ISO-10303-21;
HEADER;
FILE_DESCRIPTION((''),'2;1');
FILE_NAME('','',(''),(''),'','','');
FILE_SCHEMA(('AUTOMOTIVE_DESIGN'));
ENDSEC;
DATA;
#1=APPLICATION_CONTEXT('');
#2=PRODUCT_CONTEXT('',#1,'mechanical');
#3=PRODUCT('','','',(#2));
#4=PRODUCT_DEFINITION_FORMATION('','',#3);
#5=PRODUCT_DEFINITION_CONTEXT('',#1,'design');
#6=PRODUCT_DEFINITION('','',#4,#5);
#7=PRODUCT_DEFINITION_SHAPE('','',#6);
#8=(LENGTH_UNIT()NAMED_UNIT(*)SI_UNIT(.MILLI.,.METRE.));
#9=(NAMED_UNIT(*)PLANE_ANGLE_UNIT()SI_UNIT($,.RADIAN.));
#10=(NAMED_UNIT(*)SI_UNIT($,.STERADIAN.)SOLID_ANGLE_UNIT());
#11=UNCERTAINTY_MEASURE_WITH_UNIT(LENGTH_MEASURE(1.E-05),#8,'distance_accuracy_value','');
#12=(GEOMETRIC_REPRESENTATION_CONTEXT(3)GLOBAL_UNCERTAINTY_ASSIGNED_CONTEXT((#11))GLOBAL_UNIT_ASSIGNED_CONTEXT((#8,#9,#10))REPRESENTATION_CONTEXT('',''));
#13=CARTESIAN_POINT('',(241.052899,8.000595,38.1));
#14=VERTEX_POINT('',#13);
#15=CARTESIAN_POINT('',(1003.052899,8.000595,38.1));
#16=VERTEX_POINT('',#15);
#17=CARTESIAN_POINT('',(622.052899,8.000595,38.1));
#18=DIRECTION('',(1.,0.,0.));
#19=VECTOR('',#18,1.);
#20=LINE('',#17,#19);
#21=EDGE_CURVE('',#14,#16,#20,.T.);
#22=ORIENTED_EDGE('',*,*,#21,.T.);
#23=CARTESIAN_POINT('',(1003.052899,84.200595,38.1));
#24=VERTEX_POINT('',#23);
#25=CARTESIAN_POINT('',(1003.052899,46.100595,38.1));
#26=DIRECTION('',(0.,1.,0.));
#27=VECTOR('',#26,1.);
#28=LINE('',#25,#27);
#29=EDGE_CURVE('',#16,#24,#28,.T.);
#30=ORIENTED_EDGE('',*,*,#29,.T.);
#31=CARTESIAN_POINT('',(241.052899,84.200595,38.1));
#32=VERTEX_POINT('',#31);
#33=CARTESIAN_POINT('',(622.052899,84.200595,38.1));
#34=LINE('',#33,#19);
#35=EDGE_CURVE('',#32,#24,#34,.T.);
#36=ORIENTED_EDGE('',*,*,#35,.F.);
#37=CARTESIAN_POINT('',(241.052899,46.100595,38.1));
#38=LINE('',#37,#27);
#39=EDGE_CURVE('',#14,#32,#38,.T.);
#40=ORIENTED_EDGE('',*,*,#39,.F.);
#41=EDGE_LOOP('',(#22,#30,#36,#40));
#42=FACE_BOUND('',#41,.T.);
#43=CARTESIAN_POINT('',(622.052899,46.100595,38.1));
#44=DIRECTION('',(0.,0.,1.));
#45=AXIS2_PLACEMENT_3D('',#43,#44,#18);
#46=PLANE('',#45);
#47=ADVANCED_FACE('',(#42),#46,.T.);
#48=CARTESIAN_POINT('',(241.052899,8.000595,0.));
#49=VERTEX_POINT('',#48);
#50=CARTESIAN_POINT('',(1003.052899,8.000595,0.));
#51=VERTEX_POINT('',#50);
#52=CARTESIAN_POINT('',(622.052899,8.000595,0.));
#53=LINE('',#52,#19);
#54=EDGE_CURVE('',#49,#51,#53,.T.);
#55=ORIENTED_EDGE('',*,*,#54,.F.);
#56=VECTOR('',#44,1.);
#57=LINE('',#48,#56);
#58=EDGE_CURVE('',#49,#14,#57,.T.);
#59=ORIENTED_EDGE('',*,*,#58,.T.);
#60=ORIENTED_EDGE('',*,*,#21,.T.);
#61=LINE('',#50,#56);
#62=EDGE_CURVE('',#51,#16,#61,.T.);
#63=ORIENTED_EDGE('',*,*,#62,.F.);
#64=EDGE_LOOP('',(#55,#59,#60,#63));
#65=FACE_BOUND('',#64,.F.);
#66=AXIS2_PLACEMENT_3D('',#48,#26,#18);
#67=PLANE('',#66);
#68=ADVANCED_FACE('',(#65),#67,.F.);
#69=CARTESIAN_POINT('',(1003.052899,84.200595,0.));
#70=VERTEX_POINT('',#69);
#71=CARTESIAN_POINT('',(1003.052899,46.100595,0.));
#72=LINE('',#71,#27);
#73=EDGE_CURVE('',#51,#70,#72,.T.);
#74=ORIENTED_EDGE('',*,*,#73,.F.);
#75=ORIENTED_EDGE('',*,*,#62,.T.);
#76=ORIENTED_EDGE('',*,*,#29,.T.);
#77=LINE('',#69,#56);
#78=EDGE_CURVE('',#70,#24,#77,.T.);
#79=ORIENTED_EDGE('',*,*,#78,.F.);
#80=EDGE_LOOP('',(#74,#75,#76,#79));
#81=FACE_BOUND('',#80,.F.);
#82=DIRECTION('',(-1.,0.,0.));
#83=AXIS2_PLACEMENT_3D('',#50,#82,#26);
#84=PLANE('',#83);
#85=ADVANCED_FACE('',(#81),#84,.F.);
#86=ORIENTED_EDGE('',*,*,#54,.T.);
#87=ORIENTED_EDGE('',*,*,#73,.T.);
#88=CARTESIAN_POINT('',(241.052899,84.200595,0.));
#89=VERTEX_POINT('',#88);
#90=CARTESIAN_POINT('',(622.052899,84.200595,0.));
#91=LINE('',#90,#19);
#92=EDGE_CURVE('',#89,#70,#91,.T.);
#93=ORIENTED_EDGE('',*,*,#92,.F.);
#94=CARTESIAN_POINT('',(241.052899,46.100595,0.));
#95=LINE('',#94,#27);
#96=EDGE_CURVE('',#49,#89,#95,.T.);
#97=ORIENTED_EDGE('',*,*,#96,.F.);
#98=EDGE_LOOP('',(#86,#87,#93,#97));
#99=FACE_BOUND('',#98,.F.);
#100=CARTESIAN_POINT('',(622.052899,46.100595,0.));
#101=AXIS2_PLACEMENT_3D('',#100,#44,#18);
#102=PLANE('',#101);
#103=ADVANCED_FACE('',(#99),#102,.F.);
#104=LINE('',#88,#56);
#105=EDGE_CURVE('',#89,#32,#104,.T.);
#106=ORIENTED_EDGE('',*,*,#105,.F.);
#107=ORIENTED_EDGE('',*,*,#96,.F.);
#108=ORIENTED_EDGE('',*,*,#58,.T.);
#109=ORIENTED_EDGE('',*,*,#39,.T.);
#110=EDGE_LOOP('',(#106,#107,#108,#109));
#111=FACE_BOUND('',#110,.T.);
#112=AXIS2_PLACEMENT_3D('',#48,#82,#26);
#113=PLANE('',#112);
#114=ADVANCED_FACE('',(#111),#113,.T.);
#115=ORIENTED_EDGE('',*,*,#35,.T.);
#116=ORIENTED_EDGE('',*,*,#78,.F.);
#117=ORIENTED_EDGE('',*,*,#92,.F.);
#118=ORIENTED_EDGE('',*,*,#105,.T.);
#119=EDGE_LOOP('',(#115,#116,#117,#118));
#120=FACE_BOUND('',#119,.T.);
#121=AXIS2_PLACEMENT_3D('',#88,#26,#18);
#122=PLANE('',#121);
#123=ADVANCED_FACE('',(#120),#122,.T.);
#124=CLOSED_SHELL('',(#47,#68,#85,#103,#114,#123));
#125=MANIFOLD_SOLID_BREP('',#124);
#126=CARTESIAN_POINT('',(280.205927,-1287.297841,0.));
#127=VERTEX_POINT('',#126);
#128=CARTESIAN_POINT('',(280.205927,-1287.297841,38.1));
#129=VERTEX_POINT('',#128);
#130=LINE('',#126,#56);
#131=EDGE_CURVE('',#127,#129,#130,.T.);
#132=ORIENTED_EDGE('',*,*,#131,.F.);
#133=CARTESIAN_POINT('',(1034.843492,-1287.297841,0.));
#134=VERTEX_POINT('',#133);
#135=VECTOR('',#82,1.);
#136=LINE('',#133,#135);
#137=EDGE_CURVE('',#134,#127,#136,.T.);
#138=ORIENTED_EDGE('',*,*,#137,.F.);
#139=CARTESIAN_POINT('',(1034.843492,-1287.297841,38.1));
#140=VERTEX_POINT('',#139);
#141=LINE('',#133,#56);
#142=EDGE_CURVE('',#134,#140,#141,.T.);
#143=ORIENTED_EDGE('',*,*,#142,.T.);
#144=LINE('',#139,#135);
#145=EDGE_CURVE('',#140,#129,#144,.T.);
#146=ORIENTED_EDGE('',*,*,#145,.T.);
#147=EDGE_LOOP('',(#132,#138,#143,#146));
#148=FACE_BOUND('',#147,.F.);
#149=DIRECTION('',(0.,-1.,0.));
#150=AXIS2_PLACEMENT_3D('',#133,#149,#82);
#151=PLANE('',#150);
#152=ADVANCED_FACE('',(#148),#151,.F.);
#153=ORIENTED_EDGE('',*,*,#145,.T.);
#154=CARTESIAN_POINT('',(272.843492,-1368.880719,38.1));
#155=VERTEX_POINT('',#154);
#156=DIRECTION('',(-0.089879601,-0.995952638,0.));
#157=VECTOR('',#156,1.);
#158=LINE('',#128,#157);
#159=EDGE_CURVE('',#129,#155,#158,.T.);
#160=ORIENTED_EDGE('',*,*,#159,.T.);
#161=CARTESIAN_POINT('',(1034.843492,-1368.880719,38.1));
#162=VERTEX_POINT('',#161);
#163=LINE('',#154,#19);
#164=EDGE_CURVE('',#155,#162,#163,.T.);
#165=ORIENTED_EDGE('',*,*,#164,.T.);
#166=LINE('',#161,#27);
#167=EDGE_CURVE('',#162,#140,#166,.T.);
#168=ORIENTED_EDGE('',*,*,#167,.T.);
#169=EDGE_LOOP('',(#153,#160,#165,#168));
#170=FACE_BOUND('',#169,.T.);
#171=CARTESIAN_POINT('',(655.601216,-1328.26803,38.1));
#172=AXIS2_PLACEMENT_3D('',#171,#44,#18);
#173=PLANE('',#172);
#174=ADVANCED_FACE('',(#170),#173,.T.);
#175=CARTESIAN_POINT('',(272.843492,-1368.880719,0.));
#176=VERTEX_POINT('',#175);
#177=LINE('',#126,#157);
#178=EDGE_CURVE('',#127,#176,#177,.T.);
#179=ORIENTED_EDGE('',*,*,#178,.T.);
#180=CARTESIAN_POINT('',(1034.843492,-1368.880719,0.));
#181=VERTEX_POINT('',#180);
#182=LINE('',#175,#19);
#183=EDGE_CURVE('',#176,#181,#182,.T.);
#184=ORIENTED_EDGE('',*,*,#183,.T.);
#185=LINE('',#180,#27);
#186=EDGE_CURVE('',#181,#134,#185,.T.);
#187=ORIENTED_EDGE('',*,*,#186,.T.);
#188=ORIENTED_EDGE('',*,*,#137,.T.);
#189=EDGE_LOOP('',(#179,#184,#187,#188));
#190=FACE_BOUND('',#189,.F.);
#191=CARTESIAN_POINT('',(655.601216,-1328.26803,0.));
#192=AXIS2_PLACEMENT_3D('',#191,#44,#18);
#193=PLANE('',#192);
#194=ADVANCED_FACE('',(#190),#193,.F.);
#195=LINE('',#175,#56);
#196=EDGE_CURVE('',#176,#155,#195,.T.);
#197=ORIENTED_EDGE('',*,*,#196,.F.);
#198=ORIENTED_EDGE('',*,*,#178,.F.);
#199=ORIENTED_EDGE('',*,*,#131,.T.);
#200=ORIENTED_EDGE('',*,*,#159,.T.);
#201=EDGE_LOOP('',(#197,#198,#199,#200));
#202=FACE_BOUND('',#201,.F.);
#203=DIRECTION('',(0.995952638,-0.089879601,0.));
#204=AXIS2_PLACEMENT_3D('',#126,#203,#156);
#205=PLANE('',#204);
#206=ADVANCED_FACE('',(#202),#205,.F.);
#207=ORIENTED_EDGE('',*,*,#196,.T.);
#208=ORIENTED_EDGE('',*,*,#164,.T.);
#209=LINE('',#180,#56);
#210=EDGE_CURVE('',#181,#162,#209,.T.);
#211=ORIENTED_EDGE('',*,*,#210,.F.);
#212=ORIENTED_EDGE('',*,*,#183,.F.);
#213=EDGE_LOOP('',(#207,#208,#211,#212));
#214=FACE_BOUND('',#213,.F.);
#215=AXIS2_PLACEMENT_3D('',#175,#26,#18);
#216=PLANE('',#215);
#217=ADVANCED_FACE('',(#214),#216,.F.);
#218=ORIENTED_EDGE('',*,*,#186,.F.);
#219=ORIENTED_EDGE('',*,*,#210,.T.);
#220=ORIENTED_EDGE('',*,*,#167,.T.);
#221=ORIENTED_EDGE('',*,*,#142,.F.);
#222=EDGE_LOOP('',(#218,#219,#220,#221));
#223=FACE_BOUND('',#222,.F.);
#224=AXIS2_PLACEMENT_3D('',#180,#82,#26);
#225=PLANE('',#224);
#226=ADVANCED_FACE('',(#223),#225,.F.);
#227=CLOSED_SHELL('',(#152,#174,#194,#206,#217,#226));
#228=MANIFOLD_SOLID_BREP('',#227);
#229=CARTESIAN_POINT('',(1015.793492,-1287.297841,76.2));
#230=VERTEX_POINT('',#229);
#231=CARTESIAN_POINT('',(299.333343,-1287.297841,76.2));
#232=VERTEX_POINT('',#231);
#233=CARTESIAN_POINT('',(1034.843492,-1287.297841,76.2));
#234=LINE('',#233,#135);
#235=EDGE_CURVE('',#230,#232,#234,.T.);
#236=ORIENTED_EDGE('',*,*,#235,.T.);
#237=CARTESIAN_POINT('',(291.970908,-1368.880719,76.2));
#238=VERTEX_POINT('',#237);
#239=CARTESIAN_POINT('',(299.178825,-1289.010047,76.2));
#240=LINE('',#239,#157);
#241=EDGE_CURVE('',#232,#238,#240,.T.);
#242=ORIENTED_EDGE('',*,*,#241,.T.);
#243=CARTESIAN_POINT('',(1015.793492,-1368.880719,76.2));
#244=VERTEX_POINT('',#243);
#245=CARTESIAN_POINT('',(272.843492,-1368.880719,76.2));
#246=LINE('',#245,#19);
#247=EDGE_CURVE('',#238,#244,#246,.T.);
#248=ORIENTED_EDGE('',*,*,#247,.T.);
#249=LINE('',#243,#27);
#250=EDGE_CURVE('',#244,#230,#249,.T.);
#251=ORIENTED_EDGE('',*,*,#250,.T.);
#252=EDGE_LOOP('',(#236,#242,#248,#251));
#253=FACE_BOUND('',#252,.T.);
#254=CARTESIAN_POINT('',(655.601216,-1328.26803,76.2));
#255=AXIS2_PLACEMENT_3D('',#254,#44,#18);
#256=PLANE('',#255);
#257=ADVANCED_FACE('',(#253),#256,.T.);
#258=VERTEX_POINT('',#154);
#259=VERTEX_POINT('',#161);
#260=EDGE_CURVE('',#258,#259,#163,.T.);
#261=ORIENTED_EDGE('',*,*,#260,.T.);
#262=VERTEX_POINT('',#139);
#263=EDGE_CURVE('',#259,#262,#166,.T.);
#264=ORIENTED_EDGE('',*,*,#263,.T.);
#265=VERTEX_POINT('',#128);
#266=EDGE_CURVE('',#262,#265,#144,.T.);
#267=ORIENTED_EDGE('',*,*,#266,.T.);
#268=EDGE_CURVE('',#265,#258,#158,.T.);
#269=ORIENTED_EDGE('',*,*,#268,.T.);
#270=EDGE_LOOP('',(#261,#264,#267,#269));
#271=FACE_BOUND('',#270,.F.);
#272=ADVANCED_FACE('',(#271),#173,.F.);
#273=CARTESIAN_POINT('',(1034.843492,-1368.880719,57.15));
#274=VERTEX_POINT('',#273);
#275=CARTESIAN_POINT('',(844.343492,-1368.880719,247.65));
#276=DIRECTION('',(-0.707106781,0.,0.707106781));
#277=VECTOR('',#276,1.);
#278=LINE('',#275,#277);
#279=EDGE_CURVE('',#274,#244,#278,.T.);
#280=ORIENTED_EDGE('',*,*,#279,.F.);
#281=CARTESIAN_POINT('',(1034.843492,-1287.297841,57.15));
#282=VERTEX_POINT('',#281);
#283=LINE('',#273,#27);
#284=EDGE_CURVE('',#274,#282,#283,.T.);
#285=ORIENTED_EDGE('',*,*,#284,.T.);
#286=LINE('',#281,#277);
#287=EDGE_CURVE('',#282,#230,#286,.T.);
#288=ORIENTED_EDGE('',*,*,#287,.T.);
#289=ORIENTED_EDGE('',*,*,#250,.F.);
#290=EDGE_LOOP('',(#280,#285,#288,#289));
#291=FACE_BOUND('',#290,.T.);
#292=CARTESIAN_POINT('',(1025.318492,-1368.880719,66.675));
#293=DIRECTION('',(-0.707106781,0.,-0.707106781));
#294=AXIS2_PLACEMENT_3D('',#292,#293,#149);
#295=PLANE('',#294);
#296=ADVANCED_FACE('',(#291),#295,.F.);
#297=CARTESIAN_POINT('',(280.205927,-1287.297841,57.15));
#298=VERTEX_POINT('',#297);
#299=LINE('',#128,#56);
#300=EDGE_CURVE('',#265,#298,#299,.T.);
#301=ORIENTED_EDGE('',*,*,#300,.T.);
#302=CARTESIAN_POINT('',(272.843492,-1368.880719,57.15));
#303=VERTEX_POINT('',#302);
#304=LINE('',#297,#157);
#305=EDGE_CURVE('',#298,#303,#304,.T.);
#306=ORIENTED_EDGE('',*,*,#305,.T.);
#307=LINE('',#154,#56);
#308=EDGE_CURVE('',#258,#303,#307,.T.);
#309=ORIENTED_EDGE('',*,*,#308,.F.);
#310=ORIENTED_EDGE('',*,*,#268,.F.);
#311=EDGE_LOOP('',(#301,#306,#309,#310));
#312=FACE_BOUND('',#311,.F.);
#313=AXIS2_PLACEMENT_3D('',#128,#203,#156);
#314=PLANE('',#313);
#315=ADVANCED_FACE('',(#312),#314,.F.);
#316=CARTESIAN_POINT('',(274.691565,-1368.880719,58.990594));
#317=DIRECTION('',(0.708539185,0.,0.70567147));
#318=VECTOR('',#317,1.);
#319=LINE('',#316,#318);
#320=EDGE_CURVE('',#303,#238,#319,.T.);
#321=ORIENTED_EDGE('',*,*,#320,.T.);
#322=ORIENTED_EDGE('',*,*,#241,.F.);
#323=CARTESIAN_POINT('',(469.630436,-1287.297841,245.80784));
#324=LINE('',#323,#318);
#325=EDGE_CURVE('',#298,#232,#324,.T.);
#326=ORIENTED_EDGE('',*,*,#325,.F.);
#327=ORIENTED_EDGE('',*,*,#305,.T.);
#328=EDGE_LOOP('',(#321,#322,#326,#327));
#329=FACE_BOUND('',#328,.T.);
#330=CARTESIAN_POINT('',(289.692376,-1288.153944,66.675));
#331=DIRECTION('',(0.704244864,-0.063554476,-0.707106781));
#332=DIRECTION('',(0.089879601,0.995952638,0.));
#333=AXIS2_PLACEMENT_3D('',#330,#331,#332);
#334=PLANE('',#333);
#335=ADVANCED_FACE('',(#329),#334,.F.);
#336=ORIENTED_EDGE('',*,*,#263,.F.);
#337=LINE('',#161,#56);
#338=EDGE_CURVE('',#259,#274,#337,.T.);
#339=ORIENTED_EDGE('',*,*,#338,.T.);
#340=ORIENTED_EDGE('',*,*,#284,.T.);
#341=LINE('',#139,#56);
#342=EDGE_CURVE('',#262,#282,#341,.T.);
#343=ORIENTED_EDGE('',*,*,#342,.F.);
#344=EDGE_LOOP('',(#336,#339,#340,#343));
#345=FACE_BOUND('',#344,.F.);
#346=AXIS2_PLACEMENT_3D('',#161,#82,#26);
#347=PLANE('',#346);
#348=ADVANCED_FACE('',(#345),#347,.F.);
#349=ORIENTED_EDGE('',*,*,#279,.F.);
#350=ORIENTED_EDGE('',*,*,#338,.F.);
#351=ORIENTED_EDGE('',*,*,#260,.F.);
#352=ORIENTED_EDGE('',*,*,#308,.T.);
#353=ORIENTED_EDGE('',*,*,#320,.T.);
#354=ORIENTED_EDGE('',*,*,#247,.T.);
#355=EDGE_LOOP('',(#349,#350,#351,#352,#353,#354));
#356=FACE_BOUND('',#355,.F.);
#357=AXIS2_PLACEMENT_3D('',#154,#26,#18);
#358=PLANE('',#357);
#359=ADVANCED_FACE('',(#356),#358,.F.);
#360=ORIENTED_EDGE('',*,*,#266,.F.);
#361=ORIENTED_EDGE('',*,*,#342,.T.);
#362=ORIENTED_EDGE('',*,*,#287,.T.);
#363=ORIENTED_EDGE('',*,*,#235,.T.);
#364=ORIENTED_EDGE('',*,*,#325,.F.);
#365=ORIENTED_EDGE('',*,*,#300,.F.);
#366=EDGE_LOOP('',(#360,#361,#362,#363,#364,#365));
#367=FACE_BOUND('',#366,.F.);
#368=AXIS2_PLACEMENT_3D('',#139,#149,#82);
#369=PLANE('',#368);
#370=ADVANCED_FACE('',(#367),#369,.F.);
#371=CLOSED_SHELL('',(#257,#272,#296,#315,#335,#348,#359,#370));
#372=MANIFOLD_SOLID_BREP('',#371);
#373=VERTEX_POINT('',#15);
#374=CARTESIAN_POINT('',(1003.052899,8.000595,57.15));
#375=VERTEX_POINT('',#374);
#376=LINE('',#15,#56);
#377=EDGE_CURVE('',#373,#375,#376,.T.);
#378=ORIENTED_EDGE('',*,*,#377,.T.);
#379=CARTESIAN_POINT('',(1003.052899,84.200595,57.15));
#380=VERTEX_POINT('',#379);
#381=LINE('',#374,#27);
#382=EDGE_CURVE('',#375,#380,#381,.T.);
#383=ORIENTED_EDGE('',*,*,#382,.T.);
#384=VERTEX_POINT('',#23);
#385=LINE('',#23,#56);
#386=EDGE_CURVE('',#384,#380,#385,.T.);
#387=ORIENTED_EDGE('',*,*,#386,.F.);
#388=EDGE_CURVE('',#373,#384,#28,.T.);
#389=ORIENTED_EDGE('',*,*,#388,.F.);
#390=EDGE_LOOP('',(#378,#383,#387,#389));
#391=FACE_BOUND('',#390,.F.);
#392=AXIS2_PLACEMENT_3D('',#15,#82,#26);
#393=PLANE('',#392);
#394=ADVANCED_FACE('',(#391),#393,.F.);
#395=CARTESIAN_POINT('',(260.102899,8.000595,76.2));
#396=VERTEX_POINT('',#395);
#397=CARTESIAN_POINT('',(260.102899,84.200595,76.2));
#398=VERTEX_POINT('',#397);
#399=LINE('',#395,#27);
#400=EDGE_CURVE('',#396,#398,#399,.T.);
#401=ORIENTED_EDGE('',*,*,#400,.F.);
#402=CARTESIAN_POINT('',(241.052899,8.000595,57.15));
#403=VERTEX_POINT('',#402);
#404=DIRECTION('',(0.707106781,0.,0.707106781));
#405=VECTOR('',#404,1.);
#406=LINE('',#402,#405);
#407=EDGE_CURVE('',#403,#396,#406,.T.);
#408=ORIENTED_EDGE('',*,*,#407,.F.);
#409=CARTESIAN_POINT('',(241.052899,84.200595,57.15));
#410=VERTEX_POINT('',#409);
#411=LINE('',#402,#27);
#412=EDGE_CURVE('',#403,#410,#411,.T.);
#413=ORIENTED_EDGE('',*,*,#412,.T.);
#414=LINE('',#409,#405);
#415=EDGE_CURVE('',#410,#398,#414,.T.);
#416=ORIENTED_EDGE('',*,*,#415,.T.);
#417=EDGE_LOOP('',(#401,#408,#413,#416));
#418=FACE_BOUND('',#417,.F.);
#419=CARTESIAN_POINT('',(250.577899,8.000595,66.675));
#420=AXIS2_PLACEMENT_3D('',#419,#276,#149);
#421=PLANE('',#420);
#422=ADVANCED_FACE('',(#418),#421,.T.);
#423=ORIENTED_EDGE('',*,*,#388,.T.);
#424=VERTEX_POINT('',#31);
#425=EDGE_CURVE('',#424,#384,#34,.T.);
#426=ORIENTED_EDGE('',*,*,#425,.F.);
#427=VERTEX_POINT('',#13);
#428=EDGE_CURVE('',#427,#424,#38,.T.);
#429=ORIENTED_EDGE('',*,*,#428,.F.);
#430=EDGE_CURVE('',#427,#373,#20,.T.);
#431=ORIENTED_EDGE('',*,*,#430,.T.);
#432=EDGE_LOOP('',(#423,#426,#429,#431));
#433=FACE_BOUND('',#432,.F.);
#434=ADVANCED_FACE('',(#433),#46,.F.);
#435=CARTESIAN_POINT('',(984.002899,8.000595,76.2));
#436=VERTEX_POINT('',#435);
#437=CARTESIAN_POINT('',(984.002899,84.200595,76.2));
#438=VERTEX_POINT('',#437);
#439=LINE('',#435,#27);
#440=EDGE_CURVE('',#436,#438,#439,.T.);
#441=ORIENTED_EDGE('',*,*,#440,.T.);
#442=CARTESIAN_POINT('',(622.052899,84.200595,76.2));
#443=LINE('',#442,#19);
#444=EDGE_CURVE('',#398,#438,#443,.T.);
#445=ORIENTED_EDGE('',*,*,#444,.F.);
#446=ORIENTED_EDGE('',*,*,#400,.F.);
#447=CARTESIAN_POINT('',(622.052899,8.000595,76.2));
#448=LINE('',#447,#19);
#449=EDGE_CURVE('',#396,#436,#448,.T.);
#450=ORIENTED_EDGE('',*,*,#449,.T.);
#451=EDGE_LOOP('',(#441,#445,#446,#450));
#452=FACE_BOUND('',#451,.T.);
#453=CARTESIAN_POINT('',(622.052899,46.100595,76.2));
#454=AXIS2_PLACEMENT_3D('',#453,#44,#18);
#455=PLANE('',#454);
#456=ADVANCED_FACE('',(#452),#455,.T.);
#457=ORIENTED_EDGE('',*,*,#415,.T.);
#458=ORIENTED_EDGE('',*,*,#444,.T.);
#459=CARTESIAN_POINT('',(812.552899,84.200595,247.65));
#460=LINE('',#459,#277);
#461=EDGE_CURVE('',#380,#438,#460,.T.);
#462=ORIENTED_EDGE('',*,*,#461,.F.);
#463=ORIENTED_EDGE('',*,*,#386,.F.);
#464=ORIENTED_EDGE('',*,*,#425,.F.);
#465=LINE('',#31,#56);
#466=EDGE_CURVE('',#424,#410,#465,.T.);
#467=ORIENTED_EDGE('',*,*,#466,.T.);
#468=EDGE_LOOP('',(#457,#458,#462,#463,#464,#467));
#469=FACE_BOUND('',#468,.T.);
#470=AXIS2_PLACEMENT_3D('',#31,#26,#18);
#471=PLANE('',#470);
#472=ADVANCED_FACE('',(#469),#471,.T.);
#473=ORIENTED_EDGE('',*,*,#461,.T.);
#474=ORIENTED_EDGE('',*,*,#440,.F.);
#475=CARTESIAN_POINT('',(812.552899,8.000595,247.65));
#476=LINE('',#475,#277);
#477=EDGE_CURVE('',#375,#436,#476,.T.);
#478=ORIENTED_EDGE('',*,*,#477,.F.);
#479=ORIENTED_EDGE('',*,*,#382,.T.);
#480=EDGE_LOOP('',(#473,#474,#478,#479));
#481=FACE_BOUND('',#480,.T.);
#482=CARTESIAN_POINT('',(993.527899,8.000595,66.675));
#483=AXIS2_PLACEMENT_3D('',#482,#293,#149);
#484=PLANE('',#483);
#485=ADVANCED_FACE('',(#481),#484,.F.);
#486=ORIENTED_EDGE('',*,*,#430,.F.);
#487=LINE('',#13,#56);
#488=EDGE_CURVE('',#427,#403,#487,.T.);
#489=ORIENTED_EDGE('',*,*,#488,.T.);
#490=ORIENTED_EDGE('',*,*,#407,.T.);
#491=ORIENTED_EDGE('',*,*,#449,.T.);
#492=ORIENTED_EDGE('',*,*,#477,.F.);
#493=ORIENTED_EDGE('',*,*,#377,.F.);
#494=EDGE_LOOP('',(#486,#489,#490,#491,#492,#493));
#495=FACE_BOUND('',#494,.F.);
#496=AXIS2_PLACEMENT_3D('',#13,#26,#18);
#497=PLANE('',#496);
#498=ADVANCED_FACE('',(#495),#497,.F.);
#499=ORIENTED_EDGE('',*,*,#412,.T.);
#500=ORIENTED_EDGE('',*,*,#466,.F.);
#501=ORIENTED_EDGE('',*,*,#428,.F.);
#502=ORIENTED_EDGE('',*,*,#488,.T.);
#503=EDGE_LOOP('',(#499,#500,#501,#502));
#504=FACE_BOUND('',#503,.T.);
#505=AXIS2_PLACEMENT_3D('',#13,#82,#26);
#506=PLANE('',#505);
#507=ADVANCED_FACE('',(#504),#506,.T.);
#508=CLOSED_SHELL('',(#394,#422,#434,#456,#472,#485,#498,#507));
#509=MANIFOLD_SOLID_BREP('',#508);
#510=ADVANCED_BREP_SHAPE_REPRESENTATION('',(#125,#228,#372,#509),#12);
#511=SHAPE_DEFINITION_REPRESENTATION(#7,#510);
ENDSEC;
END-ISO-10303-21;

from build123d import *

# Parameters (mm, degrees)
F0_W      = 762
F0_H      = 76.2
F2_DEPTH  = 38.1
F3_DEPTH  = 38.1
F4_W      = 762
F4_H      = 76.2
F5_DEPTH  = 38.1
F7_DEPTH  = 38.1
F8_SIZE   = 19.05
F8_2_SIZE = 19.05


with BuildPart() as f2:
    # F0 (on Top) → F2 (new body)
    with BuildSketch(Plane.XY):
        with Locations((622.052899, 46.100595)):
            Rectangle(F0_W, F0_H)
    extrude(amount=F2_DEPTH)


with BuildPart() as f3:
    # F1 (on Top) → F3 (new body)
    with BuildSketch(Plane.XY):
        Polygon((1034.843492, -1287.297841), (280.205927, -1287.297841), (272.843492, -1368.880719), (1034.843492, -1368.880719), align=None)
    extrude(amount=F3_DEPTH)


with BuildPart() as f5:
    # F4 (on face) → F5 (new body)
    with BuildSketch(Plane.XY.offset(38.1)):
        with Locations((622.052899, 46.100595)):
            Rectangle(F4_W, F4_H)
    extrude(amount=F5_DEPTH)

    # F8
    f8_edges = [f5.edges().sort_by_distance(p)[0] for p in [
        (241.052899, 46.100595, 76.2),
        (1003.052899, 46.100595, 76.2),
    ]]
    chamfer(f8_edges, length=F8_SIZE)


with BuildPart() as f7:
    # F6 (on face) → F7 (new body)
    with BuildSketch(Plane.XY.offset(38.1)):
        Polygon((1034.843492, -1287.297841), (280.205927, -1287.297841), (272.843492, -1368.880719), (1034.843492, -1368.880719), align=None)
    extrude(amount=F7_DEPTH)

    # F8#2
    f8_2_edges = [f7.edges().sort_by_distance(p)[0] for p in [
        (1034.843492, -1328.08928, 76.2),
        (276.52471, -1328.08928, 76.2),
    ]]
    chamfer(f8_2_edges, length=F8_2_SIZE)


solid = Compound([f2.part, f3.part, f5.part, f7.part])
